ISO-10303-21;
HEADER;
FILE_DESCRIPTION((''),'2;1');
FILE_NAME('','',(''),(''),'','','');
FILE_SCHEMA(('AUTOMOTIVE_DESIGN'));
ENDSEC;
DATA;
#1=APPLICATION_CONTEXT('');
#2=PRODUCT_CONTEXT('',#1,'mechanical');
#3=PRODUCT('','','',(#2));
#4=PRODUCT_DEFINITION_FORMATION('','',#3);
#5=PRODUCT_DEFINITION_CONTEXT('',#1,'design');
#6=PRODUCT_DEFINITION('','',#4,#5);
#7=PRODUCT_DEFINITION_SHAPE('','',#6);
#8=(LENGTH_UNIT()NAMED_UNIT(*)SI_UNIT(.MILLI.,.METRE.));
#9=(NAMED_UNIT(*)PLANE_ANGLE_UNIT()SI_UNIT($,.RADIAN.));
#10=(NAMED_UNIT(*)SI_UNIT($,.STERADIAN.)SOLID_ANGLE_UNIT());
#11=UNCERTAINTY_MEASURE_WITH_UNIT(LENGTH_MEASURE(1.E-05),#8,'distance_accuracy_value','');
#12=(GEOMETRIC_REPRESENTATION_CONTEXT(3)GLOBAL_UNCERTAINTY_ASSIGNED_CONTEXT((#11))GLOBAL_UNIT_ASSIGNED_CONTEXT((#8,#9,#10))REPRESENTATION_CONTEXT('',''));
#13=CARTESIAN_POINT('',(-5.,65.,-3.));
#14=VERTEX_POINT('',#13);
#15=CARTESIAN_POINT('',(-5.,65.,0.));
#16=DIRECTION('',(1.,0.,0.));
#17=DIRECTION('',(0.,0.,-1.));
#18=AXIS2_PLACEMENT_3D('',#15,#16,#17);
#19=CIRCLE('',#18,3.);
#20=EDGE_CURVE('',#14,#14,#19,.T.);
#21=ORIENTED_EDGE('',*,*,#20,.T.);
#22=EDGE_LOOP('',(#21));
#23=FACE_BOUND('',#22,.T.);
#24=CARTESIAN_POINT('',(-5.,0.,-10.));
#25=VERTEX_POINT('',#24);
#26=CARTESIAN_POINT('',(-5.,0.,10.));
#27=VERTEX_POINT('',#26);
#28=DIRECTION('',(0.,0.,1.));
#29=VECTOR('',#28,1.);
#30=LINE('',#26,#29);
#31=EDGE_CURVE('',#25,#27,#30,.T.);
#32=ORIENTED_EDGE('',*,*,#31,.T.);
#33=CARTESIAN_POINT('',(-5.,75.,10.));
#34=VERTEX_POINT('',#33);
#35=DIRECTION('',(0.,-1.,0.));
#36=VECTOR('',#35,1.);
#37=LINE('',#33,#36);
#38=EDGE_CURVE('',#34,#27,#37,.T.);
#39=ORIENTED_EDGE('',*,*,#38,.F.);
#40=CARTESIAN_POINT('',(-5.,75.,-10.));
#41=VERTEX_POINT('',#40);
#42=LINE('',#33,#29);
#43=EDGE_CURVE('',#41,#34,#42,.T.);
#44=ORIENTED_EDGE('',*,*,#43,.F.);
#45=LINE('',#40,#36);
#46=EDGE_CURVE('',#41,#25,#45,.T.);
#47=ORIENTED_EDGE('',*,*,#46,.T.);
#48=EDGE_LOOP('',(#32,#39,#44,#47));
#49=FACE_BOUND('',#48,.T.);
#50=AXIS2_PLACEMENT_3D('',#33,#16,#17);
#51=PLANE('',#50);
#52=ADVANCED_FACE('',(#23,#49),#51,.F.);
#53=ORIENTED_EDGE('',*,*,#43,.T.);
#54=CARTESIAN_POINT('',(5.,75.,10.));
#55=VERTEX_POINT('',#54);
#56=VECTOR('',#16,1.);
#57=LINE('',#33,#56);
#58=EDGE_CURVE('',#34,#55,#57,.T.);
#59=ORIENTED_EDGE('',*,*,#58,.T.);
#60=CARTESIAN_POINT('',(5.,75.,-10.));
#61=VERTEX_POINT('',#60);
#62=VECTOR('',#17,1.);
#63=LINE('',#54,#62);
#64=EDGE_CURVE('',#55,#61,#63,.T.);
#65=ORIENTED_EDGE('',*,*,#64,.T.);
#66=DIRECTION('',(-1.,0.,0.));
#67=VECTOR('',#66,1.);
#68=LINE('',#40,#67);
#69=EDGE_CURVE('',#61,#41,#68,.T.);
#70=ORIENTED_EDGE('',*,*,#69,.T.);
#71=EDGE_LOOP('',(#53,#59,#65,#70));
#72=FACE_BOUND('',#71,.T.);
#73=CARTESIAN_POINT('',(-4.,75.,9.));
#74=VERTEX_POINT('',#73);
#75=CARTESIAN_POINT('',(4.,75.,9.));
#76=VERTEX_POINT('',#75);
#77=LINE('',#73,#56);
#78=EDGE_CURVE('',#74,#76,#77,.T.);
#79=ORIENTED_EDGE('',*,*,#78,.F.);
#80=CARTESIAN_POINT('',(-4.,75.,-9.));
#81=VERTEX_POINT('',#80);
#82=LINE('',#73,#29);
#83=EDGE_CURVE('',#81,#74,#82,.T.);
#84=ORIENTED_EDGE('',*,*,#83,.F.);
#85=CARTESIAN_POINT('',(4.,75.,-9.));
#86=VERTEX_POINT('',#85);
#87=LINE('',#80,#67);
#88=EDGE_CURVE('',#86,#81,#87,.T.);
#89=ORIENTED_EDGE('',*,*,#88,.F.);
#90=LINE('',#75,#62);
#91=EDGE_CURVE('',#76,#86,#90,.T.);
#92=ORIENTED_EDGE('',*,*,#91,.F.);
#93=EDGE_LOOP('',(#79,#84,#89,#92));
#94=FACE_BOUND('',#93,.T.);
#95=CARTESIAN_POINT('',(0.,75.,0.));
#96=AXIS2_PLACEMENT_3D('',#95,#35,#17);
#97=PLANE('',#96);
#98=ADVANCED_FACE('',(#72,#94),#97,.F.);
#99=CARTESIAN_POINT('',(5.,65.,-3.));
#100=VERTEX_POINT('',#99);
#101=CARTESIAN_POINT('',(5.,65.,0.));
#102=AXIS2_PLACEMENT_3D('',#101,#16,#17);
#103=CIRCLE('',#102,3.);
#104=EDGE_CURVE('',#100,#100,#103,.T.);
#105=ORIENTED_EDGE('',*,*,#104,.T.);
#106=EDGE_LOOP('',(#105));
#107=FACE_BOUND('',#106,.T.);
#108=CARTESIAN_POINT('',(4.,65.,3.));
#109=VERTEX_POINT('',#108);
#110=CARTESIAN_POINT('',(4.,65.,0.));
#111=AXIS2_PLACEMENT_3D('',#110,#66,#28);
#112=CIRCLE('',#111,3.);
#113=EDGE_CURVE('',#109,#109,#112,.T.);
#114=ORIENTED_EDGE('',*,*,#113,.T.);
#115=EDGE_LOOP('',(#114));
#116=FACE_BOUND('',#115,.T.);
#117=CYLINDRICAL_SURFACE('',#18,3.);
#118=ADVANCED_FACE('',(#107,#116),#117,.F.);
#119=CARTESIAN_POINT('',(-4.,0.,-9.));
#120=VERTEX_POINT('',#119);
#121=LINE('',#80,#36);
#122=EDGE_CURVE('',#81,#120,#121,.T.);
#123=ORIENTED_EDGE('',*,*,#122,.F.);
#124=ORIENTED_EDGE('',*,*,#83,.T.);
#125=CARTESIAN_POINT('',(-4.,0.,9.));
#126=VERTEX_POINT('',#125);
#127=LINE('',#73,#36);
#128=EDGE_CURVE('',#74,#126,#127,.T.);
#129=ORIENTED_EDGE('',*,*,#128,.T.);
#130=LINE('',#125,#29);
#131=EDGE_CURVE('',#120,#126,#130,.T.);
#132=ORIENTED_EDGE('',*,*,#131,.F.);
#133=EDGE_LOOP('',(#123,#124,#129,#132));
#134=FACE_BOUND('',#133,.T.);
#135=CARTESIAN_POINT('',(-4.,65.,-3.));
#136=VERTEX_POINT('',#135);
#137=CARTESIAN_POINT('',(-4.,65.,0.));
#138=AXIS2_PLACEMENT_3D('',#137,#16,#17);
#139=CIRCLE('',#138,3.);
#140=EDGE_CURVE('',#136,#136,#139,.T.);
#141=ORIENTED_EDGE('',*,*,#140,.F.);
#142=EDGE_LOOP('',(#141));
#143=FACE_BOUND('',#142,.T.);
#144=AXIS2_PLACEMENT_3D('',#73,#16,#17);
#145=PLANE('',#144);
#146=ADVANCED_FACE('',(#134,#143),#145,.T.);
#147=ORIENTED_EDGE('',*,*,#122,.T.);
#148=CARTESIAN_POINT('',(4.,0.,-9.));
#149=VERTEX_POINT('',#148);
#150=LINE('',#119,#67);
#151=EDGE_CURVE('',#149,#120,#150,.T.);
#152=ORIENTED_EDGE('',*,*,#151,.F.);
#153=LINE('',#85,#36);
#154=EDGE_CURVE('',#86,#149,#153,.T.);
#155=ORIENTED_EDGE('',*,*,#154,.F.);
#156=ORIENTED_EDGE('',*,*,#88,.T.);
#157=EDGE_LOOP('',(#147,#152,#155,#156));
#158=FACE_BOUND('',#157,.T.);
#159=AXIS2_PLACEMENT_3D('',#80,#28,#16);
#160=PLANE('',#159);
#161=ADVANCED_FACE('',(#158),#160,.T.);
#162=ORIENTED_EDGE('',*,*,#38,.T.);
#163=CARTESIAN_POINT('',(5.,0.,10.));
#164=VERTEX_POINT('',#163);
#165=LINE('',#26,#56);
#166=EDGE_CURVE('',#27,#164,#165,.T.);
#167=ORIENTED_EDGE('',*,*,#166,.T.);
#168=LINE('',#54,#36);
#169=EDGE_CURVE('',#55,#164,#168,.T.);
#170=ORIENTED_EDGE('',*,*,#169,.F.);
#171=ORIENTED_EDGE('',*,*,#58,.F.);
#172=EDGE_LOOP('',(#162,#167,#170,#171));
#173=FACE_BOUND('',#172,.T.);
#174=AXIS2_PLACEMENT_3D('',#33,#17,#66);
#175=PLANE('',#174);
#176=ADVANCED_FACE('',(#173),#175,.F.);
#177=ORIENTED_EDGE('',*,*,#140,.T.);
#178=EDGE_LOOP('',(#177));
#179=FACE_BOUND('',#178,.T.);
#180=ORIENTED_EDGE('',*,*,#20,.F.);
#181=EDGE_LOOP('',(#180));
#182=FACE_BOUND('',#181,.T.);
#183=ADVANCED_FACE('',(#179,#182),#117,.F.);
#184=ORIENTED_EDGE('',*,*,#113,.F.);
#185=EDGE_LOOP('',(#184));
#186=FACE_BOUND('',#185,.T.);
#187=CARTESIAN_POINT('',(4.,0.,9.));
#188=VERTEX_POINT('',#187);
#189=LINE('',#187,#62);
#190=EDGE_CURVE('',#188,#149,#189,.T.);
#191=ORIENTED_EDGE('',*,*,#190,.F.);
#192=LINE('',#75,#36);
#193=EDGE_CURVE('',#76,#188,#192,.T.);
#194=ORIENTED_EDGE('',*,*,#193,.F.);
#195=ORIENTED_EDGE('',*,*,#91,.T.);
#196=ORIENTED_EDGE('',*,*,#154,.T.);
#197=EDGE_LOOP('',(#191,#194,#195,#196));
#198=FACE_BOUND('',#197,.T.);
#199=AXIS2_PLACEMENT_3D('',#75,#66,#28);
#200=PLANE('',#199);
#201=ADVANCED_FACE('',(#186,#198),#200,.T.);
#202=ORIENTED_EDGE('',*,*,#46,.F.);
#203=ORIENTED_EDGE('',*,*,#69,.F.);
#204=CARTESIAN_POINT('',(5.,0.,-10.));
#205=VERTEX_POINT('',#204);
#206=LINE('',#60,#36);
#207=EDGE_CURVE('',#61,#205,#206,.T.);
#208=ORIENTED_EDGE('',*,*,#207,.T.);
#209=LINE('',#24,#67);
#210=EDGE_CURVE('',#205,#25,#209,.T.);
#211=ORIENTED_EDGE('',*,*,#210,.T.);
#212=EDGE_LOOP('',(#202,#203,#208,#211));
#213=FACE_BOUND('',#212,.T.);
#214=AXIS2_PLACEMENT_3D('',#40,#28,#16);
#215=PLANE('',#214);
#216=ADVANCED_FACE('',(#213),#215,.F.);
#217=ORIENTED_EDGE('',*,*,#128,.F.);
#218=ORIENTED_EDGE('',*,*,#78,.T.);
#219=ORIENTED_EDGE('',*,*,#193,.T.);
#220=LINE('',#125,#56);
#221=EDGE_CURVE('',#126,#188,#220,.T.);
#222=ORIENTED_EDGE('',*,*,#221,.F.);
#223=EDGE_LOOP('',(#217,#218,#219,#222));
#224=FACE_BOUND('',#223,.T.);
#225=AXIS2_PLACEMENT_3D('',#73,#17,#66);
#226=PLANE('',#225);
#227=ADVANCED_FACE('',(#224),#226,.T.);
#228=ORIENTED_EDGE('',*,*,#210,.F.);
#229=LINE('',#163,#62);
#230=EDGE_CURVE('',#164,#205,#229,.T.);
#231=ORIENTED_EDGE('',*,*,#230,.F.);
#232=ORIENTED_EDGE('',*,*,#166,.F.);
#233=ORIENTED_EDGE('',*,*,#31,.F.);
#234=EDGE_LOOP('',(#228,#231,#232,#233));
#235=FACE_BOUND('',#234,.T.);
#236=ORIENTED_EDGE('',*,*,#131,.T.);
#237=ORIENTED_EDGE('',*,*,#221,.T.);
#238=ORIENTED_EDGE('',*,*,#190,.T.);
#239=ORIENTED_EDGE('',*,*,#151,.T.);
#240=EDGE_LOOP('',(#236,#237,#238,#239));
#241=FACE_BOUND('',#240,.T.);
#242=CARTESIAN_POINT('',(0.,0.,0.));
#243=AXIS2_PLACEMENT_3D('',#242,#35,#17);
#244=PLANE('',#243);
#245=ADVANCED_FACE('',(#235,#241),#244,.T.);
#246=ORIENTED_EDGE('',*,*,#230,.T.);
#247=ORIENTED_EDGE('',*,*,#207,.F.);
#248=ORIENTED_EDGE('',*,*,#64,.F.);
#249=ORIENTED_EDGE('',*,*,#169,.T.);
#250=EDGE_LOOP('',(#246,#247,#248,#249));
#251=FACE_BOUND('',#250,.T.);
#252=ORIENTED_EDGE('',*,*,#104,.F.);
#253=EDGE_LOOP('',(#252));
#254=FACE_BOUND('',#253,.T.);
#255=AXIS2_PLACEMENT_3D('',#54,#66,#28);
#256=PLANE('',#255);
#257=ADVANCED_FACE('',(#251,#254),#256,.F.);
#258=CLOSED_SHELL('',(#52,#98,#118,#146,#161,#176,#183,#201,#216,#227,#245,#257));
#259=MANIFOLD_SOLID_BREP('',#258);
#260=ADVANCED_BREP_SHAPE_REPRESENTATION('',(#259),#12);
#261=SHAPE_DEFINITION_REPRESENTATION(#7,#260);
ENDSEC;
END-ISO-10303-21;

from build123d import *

# Parameters (mm, degrees)
SKETCH1_W           = 10
SKETCH1_H           = 20
SKETCH1_W_2         = 8
SKETCH1_H_2         = 18
BOSS_EXTRUDE1_DEPTH = 75
SKETCH2_R           = 3
CUT_EXTRUDE1_DEPTH  = 77.321687612


with BuildPart() as part:
    # Sketch1 → Boss-Extrude1 (new body)
    with BuildSketch(Plane(origin=(0, 0, 0), x_dir=(1, 0, 0), z_dir=(0, 1, 0))):
        Rectangle(SKETCH1_W, SKETCH1_H)
        Rectangle(SKETCH1_W_2, SKETCH1_H_2, mode=Mode.SUBTRACT)
    extrude(amount=BOSS_EXTRUDE1_DEPTH)

    # Sketch2 → Cut-Extrude1 (cut, through all)
    with BuildSketch(Plane(origin=(5, 0, 0), x_dir=(0, 0, -1), z_dir=(1, 0, 0))):
        with Locations((0, 65)):
            Circle(SKETCH2_R)
    extrude(amount=-CUT_EXTRUDE1_DEPTH, mode=Mode.SUBTRACT)


solid = part.part
